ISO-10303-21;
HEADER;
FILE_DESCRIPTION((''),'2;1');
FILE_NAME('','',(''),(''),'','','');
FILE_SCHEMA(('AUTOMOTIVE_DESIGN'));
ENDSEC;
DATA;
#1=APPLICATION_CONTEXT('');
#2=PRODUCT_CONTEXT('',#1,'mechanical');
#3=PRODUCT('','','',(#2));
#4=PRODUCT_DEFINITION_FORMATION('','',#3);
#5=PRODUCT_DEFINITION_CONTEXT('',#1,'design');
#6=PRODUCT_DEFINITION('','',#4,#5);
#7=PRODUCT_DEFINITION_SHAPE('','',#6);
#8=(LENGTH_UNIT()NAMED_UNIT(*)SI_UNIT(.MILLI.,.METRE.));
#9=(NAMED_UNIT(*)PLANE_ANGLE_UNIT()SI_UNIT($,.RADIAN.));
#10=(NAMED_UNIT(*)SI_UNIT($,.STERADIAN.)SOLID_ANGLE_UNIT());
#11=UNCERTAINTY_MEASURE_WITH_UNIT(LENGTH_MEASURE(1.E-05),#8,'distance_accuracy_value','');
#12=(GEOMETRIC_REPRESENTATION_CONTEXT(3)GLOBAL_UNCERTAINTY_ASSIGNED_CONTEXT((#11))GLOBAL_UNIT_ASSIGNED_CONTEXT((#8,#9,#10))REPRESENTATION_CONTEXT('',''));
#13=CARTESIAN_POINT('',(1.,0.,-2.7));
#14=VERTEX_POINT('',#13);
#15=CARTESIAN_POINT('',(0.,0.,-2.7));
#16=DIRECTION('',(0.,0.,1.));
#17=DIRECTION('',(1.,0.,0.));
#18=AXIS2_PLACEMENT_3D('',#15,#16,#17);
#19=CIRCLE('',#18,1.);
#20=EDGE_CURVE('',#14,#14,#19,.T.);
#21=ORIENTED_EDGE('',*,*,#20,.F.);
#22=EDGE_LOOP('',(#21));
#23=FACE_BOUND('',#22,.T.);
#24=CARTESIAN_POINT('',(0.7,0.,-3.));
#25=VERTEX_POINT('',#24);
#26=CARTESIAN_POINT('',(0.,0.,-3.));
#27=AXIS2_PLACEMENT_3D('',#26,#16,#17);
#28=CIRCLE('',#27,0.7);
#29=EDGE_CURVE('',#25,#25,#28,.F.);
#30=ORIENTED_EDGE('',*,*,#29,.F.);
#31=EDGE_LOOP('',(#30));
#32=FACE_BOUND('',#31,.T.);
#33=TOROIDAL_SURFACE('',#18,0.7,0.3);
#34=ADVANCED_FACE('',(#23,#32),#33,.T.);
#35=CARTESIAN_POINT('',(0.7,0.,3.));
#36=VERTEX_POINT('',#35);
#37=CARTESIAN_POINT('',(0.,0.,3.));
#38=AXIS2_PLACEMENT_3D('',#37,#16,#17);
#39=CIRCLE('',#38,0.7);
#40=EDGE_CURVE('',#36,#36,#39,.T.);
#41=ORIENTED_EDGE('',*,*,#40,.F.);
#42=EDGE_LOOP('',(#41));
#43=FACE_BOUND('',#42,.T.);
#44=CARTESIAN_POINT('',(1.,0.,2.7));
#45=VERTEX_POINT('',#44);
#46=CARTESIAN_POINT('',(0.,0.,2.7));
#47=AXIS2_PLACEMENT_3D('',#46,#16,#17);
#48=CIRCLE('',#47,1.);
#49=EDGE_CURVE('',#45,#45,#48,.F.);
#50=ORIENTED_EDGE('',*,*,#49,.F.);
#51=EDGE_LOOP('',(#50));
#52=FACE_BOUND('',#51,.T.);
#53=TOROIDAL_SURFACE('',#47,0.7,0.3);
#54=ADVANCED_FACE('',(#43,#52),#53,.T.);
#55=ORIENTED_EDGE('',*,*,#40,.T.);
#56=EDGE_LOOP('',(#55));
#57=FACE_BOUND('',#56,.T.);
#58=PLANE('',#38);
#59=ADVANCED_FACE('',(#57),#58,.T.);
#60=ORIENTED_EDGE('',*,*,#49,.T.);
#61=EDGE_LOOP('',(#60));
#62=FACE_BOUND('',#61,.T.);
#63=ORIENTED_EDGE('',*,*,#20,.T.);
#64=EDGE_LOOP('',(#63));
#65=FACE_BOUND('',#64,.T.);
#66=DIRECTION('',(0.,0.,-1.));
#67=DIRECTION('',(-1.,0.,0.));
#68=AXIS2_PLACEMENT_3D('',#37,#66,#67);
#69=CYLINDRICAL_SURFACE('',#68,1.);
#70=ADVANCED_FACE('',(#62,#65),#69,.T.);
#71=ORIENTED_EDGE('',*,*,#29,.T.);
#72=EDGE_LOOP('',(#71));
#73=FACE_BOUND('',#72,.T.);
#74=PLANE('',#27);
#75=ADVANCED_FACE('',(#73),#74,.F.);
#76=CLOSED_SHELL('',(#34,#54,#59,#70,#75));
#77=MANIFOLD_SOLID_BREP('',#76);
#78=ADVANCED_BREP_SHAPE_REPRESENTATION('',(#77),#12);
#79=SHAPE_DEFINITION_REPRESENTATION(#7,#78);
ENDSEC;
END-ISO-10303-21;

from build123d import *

# Parameters (mm, degrees)
SKETCH_1_R      = 1
EXTRUDE_1_DEPTH = 3
FILLET_1_R      = 0.3
FILLET_2_R      = 0.3


with BuildPart() as part:
    # 草图1 → 拉伸1 (new, symmetric)
    with BuildSketch(Plane.XY):
        Circle(SKETCH_1_R)
    extrude(amount=EXTRUDE_1_DEPTH, both=True)

    # 圆角1
    fillet_1_edges = [part.edges().sort_by_distance(p)[0] for p in [
        (-1, 0, 3),
    ]]
    fillet(fillet_1_edges, radius=FILLET_1_R)

    # 圆角2
    fillet_2_edges = [part.edges().sort_by_distance(p)[0] for p in [
        (-1, 0, -3),
    ]]
    fillet(fillet_2_edges, radius=FILLET_2_R)


solid = part.part
